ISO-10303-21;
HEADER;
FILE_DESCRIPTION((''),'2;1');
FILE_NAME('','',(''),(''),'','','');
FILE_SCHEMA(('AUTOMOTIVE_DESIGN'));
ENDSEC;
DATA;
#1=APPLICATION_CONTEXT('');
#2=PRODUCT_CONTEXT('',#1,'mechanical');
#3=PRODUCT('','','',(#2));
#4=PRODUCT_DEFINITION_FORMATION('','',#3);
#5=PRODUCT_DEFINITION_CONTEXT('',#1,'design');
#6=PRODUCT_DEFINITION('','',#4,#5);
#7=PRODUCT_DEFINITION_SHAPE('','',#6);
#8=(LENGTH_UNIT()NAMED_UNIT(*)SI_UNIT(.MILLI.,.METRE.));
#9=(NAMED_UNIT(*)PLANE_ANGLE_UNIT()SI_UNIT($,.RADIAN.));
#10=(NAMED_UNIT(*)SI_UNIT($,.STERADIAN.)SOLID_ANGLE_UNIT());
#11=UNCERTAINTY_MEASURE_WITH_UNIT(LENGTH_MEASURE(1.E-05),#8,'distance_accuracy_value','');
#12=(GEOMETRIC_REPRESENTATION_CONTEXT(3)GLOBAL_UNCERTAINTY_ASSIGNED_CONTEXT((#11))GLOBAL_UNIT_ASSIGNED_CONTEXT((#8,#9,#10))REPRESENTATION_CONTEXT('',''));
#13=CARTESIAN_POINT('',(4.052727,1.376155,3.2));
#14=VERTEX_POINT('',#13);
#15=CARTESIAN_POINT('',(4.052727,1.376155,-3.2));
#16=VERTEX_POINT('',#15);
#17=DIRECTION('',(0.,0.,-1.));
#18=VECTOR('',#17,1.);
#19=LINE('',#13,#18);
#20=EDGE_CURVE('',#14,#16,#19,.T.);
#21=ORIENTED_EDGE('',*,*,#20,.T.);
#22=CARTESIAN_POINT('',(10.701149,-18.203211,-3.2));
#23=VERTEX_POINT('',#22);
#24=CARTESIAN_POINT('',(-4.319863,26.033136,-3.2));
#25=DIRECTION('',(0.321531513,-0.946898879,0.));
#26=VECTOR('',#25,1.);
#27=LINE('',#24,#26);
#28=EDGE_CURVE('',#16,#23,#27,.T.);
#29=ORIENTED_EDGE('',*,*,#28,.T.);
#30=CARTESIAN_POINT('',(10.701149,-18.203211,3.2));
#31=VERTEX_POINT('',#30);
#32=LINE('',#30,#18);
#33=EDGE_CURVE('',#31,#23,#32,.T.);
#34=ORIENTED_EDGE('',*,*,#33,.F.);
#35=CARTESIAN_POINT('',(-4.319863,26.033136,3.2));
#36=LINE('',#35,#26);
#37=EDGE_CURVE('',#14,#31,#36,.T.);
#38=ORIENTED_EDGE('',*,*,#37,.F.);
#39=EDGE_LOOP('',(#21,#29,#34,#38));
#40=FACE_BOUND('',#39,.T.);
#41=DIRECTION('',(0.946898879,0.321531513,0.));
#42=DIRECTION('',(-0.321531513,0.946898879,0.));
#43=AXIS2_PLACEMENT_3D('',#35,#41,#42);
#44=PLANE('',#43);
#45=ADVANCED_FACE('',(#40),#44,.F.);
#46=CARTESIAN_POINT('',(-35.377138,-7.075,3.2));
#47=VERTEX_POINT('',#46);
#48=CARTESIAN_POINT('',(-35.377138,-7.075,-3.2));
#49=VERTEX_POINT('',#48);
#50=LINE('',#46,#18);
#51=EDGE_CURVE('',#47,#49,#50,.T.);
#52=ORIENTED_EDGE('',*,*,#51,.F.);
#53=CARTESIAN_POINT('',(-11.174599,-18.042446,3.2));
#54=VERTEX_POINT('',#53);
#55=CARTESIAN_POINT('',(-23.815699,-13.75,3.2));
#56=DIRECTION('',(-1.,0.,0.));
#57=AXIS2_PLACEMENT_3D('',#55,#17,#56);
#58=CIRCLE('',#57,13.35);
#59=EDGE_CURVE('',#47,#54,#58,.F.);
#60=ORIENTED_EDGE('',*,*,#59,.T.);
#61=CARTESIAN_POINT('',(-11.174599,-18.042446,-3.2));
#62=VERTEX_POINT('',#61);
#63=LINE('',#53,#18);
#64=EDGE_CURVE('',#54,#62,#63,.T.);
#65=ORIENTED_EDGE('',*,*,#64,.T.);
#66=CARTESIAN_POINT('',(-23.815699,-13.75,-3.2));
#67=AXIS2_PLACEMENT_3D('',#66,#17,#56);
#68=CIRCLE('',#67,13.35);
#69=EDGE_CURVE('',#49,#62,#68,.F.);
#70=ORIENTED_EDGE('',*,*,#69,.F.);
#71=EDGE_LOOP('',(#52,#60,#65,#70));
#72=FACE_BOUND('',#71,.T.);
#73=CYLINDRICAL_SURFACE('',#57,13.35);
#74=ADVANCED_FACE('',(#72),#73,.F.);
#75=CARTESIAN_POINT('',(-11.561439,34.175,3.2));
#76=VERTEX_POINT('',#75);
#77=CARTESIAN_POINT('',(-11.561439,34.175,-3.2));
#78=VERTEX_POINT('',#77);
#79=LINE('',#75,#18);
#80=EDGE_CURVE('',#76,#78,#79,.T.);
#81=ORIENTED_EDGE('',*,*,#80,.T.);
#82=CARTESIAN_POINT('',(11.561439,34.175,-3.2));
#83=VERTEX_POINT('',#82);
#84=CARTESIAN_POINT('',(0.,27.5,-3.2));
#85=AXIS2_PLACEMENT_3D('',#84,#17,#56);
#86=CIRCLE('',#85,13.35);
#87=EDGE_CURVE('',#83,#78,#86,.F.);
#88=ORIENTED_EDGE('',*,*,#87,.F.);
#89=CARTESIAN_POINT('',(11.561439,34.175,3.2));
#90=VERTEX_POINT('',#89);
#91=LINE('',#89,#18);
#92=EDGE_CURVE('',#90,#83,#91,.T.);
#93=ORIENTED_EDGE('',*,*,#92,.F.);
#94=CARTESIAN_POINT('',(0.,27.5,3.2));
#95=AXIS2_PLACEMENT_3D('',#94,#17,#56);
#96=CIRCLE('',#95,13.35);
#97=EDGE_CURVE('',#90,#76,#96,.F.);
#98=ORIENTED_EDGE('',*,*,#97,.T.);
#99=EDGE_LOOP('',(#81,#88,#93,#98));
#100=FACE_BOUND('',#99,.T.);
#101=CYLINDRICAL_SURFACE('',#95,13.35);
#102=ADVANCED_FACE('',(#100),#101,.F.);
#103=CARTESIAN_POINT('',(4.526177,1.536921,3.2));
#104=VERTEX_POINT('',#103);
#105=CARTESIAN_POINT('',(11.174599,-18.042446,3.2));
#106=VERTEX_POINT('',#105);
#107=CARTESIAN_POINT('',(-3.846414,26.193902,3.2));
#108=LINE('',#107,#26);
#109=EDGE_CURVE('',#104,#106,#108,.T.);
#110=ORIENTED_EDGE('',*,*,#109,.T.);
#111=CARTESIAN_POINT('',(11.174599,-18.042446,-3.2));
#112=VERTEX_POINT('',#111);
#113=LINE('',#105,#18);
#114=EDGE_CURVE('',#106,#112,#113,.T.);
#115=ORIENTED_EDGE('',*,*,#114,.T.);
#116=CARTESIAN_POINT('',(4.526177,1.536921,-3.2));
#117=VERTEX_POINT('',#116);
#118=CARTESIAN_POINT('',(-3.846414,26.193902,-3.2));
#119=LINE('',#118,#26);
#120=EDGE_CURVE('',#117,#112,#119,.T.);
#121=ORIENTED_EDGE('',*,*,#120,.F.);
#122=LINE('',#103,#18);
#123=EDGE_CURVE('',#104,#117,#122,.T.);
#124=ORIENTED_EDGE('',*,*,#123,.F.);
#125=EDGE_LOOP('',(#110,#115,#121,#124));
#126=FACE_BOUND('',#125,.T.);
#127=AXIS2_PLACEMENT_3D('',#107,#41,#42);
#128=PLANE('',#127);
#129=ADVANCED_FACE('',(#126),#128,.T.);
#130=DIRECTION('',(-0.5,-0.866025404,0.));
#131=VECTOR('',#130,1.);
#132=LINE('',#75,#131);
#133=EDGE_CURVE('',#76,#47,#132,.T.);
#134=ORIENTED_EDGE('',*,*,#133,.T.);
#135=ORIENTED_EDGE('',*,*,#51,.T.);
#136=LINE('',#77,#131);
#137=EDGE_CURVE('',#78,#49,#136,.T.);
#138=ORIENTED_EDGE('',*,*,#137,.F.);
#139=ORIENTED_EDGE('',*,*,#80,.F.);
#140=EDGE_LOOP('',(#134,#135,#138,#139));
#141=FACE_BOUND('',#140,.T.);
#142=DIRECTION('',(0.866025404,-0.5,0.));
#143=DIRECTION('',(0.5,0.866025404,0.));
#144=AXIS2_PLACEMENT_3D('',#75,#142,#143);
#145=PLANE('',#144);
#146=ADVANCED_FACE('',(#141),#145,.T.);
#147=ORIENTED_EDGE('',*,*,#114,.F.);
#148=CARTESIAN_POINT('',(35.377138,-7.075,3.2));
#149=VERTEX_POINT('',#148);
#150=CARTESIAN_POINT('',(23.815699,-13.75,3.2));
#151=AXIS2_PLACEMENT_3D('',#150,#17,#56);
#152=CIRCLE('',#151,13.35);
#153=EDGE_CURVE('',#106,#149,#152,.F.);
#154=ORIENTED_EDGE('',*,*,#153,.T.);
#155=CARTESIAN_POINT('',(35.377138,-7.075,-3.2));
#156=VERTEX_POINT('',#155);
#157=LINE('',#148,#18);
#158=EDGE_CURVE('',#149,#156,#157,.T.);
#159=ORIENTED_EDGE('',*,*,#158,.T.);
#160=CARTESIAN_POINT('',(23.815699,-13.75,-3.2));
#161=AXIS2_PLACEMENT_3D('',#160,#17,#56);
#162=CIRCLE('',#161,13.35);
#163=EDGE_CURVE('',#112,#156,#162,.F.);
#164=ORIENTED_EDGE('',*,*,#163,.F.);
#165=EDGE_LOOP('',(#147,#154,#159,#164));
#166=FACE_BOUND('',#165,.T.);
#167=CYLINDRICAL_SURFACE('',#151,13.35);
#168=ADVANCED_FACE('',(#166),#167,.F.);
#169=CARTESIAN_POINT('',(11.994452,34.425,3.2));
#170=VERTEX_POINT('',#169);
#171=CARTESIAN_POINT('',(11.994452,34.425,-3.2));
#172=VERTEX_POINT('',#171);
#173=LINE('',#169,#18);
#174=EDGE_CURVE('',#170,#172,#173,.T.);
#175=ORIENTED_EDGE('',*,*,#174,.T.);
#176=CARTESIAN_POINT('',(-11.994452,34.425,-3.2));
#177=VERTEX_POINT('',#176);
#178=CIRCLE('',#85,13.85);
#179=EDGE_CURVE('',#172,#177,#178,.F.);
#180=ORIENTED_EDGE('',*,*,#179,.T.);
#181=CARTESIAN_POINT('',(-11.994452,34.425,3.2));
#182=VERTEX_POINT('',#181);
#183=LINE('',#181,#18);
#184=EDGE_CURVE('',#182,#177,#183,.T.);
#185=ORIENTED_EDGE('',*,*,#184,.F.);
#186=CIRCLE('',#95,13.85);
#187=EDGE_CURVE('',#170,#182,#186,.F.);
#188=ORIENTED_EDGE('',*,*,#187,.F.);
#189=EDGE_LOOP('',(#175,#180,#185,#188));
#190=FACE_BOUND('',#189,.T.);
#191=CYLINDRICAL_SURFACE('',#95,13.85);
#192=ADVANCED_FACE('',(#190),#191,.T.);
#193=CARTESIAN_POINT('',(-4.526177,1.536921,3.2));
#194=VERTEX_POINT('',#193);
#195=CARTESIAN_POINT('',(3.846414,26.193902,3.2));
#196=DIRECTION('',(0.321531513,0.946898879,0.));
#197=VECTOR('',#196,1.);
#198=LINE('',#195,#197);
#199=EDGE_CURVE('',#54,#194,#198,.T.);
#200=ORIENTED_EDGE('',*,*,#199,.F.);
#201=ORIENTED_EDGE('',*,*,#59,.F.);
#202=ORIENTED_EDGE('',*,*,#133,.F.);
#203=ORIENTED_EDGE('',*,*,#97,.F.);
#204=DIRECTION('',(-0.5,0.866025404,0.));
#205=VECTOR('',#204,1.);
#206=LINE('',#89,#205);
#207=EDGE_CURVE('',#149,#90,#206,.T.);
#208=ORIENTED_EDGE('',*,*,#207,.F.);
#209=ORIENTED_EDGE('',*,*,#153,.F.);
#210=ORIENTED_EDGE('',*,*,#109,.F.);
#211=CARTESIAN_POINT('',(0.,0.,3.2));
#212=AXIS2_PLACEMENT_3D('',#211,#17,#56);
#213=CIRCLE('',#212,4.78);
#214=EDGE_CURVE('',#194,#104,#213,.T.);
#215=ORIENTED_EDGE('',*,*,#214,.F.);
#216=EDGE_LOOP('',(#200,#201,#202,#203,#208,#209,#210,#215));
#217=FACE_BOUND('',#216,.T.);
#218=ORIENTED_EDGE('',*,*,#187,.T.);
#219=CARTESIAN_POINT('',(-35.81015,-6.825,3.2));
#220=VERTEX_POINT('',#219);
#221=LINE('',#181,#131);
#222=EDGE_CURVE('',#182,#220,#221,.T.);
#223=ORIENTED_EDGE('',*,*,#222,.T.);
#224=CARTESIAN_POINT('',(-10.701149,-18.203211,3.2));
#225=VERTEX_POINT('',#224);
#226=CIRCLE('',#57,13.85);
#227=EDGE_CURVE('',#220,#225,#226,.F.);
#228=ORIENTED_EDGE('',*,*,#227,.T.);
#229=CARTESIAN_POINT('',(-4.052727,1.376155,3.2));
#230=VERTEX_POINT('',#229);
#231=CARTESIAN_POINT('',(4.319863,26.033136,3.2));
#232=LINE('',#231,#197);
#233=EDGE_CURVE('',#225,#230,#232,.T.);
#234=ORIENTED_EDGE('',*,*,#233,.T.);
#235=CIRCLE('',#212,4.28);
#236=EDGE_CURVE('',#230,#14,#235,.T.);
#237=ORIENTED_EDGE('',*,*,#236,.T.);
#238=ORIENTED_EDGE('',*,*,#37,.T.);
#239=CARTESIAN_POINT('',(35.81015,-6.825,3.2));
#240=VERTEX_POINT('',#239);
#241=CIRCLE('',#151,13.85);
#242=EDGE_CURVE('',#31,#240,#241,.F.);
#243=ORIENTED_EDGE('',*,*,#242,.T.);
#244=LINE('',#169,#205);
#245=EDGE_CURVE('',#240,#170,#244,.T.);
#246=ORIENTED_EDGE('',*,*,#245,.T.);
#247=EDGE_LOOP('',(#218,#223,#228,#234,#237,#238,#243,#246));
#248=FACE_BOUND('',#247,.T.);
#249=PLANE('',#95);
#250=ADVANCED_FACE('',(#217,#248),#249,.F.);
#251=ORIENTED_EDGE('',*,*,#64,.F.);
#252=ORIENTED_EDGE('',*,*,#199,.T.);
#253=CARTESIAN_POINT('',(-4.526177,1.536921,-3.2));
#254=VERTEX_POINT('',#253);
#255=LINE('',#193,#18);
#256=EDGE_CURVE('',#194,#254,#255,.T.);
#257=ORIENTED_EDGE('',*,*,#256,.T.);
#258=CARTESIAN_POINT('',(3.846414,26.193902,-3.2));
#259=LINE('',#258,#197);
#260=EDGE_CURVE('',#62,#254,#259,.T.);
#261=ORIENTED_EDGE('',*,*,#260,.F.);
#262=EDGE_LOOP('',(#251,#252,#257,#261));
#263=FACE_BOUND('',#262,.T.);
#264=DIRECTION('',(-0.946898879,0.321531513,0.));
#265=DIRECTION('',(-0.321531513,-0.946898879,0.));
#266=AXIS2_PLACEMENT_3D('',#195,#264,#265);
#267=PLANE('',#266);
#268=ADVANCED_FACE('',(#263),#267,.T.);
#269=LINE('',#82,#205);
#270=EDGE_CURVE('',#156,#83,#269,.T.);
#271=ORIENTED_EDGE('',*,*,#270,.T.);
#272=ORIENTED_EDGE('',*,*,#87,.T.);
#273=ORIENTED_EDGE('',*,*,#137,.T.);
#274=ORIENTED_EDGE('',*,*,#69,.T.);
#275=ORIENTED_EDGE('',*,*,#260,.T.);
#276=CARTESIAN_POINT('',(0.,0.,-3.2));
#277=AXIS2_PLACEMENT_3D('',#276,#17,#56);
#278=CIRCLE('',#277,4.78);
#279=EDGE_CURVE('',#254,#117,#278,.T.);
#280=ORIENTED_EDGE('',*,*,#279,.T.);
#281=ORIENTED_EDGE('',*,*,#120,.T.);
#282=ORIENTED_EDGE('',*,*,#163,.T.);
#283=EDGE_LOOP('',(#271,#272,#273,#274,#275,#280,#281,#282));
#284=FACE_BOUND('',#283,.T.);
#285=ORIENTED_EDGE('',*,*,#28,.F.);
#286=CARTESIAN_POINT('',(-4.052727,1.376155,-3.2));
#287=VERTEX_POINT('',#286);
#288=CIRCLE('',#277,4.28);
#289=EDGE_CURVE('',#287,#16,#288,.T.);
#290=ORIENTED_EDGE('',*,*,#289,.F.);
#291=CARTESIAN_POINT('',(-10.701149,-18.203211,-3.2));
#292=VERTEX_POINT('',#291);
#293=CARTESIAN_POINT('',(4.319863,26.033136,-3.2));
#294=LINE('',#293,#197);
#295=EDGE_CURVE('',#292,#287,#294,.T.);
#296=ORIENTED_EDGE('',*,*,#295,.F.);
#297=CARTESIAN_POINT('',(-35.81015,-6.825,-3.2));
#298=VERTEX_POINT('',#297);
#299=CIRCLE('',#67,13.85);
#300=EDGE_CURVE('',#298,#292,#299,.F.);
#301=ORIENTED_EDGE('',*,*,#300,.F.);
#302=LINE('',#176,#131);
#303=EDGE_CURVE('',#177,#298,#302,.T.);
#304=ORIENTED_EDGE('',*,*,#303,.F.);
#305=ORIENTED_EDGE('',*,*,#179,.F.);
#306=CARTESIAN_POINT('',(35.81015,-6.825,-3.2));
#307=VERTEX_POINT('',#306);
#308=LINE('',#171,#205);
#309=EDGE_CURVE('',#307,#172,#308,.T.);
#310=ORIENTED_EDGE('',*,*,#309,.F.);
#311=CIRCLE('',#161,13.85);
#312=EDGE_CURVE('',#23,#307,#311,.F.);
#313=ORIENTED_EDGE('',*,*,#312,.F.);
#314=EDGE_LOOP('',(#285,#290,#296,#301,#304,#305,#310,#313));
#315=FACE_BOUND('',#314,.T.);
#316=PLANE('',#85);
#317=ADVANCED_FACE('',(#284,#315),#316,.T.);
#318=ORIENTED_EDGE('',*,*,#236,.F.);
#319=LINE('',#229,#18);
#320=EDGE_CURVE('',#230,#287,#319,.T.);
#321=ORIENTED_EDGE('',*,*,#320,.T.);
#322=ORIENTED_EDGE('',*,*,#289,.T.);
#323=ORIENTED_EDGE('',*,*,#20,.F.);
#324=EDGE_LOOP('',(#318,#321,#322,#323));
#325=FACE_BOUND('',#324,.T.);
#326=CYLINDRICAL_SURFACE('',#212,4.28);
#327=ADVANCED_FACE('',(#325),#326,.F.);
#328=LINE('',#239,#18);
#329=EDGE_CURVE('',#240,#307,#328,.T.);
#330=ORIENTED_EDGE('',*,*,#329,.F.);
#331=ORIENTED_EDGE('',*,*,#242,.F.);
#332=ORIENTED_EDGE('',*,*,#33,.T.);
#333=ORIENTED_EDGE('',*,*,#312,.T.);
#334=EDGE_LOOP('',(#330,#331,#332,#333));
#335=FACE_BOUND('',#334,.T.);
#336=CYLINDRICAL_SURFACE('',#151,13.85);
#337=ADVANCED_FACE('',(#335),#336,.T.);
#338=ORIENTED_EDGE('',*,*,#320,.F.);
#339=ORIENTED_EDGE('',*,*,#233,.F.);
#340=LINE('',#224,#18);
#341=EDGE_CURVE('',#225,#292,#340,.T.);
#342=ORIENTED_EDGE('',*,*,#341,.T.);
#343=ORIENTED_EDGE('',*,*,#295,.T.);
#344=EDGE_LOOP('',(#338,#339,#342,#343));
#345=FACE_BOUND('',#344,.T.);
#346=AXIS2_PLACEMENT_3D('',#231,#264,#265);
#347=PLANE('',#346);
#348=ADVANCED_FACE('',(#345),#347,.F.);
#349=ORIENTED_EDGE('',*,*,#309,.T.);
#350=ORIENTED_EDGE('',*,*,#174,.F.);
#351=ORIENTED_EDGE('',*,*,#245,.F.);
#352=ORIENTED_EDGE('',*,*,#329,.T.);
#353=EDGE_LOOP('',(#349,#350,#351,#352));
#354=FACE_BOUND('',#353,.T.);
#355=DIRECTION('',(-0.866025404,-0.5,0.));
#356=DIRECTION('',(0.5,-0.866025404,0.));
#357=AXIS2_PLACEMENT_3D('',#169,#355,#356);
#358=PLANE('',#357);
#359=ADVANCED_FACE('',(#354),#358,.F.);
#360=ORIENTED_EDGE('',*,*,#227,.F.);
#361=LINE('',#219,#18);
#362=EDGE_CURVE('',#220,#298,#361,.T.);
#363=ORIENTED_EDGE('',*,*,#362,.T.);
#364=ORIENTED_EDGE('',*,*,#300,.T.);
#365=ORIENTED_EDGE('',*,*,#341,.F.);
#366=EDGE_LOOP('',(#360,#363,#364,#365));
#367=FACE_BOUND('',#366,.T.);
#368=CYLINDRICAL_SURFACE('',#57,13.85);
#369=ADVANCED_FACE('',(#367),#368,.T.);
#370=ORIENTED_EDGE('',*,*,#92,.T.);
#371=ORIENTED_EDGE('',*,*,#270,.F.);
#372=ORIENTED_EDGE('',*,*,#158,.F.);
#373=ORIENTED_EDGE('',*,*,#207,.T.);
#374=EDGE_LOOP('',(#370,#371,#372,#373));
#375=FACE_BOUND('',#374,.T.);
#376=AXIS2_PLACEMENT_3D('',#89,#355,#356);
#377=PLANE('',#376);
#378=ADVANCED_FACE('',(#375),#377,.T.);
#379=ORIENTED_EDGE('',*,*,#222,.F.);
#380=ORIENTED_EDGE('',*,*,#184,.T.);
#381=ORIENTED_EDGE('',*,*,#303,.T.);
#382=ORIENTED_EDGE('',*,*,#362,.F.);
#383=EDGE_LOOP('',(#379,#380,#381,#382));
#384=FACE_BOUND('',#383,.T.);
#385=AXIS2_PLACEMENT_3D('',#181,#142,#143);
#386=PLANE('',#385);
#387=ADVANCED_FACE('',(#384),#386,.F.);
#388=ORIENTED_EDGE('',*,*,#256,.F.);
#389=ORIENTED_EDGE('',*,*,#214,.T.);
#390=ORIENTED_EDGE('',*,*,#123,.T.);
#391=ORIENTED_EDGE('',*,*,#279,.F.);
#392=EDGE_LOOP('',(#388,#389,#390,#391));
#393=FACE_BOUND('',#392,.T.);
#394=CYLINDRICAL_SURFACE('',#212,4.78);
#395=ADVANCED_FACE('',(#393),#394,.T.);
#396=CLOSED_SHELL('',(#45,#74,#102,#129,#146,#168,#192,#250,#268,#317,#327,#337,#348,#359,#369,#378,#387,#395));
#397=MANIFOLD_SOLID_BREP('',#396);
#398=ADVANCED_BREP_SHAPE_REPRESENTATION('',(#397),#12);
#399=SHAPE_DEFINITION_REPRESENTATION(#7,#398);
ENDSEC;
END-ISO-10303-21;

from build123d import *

# Parameters (mm, degrees)
EXTRUDE_THIN1_DEPTH = 3.2


with BuildPart() as part:
    # Sketch1 → Extrude-Thin1 (new, symmetric)
    with BuildSketch(Plane.XY):
        with BuildLine():
            Line((-4.0527272, 1.376154875), (-10.701149136, -18.203211452))
            ThreePointArc((-10.701149136, -18.203211452), (-29.532304121, -26.365186141), (-35.810150446, -6.825))
            Line((-35.810150446, -6.825), (-11.994451842, 34.425))
            ThreePointArc((-11.994451842, 34.425), (0, 41.35), (11.994451842, 34.425))
            Line((11.994451842, 34.425), (35.810150446, -6.825))
            ThreePointArc((35.810150446, -6.825), (29.532304121, -26.365186141), (10.701149136, -18.203211452))
            Line((10.701149136, -18.203211452), (4.0527272, 1.376154875))
            ThreePointArc((4.0527272, 1.376154875), (0, 4.28), (-4.0527272, 1.376154875))
        make_face()
        with BuildLine():
            Line((-4.52617664, 1.536920631), (-11.174598575, -18.042445696))
            ThreePointArc((-11.174598575, -18.042445696), (-29.325928471, -25.909764258), (-35.377137745, -7.075))
            Line((-35.377137745, -7.075), (-11.561439141, 34.175))
            ThreePointArc((-11.561439141, 34.175), (0, 40.85), (11.561439141, 34.175))
            Line((11.561439141, 34.175), (35.377137745, -7.075))
            ThreePointArc((35.377137745, -7.075), (29.325928471, -25.909764258), (11.174598575, -18.042445696))
            Line((11.174598575, -18.042445696), (4.52617664, 1.536920631))
            ThreePointArc((4.52617664, 1.536920631), (0, 4.78), (-4.52617664, 1.536920631))
        make_face(mode=Mode.SUBTRACT)
    extrude(amount=EXTRUDE_THIN1_DEPTH, both=True)


solid = part.part
